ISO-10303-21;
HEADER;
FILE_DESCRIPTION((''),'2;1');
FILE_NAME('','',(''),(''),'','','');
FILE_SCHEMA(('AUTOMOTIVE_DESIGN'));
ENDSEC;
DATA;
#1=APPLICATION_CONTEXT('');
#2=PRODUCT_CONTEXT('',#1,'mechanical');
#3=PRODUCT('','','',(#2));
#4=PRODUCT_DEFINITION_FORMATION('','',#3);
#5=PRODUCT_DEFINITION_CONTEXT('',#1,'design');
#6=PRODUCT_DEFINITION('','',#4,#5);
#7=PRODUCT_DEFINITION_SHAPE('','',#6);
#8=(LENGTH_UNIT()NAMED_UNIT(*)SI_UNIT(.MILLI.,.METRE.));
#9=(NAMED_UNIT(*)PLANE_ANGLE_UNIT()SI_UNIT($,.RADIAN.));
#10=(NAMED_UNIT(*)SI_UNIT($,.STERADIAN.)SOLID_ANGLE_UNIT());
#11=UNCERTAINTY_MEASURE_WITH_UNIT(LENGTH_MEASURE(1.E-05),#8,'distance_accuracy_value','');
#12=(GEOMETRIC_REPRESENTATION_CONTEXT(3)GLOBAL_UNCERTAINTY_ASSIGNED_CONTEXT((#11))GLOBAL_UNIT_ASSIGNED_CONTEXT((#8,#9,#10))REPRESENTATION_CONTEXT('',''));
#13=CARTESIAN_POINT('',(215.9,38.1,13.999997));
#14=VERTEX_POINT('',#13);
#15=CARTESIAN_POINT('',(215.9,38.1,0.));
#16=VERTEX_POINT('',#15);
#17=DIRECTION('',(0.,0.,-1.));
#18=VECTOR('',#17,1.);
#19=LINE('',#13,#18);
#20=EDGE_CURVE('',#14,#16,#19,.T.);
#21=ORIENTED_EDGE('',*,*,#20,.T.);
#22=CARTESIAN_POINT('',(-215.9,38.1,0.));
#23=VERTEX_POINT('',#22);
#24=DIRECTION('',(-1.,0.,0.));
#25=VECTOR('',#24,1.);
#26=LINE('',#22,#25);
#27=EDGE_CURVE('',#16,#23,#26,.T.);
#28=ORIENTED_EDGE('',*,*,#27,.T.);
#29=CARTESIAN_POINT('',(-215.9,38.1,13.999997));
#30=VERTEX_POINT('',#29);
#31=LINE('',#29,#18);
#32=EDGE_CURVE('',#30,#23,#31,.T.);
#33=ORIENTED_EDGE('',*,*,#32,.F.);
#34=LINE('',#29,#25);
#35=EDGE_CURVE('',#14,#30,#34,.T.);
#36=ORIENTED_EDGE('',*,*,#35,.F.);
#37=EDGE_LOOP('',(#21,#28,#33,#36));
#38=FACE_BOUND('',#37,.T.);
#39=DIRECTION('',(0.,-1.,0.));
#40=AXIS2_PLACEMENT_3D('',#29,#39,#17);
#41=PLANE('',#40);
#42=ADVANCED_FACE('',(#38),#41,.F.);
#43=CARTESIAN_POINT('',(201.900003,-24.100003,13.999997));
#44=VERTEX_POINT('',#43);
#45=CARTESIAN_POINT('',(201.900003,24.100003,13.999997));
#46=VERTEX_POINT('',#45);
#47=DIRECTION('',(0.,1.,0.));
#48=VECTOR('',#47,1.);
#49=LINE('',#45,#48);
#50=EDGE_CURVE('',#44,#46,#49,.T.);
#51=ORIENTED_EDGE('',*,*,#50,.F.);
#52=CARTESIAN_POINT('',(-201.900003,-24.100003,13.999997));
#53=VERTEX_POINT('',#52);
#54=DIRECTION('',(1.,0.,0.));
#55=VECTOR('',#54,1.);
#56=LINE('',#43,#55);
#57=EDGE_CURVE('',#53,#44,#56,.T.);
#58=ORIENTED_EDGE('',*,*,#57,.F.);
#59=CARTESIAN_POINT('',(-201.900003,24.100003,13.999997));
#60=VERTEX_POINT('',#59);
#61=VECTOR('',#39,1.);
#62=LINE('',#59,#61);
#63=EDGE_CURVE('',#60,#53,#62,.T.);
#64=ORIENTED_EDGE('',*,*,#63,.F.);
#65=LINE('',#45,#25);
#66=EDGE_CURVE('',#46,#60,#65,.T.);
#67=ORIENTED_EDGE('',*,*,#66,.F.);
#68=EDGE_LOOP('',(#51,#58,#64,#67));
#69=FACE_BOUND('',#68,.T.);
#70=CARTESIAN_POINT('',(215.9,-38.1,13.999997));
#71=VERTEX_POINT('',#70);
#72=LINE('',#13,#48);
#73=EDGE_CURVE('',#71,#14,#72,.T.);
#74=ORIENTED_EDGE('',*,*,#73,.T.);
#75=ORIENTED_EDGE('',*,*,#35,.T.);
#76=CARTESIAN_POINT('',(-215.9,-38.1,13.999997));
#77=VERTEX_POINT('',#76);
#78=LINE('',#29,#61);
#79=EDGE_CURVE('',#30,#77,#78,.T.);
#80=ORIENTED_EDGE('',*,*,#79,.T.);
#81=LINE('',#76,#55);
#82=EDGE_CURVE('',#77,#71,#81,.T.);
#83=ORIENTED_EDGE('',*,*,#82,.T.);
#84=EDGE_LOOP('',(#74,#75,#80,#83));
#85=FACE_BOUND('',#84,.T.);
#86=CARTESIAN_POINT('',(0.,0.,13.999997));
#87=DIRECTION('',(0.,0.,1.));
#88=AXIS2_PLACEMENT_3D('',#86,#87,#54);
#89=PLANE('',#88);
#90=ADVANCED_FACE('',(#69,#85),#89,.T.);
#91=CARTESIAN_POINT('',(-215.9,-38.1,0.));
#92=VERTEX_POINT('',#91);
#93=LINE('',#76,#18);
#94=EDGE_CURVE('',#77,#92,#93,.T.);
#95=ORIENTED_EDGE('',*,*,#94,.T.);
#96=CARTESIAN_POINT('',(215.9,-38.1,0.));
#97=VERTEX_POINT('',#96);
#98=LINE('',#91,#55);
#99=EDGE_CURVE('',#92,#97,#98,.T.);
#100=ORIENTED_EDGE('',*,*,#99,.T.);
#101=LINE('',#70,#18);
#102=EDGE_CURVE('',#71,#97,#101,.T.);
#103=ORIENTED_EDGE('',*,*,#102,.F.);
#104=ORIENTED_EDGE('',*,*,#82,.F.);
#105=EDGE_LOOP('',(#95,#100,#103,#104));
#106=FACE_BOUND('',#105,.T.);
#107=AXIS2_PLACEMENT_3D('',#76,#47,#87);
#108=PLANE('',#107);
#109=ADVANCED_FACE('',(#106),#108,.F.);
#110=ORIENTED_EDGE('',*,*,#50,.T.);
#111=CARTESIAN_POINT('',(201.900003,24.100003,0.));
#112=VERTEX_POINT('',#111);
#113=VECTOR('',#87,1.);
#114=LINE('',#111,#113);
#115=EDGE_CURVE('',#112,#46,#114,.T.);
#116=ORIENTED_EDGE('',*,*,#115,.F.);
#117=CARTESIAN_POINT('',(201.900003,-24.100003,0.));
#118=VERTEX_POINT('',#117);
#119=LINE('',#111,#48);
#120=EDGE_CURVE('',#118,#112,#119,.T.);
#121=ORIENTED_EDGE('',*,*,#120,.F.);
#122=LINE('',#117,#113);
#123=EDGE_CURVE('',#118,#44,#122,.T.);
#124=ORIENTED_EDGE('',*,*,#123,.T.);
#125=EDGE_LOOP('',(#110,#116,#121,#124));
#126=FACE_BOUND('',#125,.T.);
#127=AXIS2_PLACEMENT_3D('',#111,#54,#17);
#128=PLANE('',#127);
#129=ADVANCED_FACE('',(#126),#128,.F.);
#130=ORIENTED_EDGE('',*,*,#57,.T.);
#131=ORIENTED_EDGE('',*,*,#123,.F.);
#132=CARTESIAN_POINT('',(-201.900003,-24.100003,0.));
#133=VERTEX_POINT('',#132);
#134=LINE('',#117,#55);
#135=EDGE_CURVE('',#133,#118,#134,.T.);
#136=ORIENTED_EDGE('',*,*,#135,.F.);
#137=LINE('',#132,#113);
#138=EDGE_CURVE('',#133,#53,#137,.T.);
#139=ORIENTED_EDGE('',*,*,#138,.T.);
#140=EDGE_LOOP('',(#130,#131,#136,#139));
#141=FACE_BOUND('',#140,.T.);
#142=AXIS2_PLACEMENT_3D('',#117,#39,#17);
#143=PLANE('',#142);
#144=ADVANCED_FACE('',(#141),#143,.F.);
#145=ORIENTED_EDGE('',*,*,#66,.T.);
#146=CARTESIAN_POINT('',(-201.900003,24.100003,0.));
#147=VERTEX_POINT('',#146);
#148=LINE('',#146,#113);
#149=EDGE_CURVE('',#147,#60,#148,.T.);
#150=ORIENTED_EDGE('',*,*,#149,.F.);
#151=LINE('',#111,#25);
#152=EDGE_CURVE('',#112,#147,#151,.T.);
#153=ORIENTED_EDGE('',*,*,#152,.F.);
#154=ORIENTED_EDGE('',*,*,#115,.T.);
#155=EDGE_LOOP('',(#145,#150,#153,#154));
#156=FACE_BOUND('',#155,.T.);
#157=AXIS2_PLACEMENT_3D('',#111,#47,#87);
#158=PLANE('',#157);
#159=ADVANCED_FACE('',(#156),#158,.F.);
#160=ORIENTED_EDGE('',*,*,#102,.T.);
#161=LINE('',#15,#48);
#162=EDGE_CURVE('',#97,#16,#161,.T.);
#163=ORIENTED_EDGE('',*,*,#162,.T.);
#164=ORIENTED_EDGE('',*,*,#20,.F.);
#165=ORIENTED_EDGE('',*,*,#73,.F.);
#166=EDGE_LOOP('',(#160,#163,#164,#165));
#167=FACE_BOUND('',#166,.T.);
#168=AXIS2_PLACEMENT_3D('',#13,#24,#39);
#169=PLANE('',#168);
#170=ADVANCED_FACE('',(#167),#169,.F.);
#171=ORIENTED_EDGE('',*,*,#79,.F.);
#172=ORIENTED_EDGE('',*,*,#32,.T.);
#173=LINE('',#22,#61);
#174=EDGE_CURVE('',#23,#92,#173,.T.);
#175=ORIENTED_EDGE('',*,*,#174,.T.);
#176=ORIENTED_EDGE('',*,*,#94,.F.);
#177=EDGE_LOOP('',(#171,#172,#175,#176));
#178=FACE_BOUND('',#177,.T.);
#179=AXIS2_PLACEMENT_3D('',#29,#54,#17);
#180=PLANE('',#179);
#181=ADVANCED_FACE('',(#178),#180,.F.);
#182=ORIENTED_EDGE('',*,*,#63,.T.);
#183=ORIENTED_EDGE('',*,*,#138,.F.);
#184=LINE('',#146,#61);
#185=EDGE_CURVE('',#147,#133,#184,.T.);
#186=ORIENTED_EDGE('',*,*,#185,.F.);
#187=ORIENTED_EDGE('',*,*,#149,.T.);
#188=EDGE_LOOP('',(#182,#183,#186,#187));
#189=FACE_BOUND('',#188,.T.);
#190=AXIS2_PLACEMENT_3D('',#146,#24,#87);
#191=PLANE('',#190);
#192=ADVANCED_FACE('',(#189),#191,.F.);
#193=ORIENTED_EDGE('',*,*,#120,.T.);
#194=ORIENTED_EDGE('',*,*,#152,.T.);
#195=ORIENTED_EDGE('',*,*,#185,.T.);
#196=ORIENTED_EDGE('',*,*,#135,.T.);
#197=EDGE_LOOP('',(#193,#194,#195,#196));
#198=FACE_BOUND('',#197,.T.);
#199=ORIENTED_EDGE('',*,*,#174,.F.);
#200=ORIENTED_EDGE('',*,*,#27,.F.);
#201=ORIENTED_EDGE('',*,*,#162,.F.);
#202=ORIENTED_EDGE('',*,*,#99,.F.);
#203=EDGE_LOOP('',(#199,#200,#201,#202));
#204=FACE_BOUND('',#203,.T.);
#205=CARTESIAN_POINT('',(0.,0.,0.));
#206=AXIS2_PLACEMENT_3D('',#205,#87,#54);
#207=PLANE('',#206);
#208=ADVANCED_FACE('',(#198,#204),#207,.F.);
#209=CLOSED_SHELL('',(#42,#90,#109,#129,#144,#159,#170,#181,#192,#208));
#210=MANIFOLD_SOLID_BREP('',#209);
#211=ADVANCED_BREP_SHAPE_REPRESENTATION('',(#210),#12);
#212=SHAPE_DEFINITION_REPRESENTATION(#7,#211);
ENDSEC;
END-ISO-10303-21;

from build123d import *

# Parameters (mm, degrees)
SKETCH2_W           = 431.8
SKETCH2_H           = 76.2
BOSS_EXTRUDE3_DEPTH = 13.9999974
SKETCH3_W           = 403.8000052
SKETCH3_H           = 48.2000052
CUT_EXTRUDE1_DEPTH  = 13.9999974


with BuildPart() as part:
    # Sketch2 → Boss-Extrude3 (new body)
    with BuildSketch(Plane.XY):
        Rectangle(SKETCH2_W, SKETCH2_H)
    extrude(amount=BOSS_EXTRUDE3_DEPTH)

    # Sketch3 → Cut-Extrude1 (cut)
    with BuildSketch(Plane.XY.offset(13.9999974)):
        Rectangle(SKETCH3_W, SKETCH3_H)
    extrude(amount=-CUT_EXTRUDE1_DEPTH, mode=Mode.SUBTRACT)


solid = part.part
